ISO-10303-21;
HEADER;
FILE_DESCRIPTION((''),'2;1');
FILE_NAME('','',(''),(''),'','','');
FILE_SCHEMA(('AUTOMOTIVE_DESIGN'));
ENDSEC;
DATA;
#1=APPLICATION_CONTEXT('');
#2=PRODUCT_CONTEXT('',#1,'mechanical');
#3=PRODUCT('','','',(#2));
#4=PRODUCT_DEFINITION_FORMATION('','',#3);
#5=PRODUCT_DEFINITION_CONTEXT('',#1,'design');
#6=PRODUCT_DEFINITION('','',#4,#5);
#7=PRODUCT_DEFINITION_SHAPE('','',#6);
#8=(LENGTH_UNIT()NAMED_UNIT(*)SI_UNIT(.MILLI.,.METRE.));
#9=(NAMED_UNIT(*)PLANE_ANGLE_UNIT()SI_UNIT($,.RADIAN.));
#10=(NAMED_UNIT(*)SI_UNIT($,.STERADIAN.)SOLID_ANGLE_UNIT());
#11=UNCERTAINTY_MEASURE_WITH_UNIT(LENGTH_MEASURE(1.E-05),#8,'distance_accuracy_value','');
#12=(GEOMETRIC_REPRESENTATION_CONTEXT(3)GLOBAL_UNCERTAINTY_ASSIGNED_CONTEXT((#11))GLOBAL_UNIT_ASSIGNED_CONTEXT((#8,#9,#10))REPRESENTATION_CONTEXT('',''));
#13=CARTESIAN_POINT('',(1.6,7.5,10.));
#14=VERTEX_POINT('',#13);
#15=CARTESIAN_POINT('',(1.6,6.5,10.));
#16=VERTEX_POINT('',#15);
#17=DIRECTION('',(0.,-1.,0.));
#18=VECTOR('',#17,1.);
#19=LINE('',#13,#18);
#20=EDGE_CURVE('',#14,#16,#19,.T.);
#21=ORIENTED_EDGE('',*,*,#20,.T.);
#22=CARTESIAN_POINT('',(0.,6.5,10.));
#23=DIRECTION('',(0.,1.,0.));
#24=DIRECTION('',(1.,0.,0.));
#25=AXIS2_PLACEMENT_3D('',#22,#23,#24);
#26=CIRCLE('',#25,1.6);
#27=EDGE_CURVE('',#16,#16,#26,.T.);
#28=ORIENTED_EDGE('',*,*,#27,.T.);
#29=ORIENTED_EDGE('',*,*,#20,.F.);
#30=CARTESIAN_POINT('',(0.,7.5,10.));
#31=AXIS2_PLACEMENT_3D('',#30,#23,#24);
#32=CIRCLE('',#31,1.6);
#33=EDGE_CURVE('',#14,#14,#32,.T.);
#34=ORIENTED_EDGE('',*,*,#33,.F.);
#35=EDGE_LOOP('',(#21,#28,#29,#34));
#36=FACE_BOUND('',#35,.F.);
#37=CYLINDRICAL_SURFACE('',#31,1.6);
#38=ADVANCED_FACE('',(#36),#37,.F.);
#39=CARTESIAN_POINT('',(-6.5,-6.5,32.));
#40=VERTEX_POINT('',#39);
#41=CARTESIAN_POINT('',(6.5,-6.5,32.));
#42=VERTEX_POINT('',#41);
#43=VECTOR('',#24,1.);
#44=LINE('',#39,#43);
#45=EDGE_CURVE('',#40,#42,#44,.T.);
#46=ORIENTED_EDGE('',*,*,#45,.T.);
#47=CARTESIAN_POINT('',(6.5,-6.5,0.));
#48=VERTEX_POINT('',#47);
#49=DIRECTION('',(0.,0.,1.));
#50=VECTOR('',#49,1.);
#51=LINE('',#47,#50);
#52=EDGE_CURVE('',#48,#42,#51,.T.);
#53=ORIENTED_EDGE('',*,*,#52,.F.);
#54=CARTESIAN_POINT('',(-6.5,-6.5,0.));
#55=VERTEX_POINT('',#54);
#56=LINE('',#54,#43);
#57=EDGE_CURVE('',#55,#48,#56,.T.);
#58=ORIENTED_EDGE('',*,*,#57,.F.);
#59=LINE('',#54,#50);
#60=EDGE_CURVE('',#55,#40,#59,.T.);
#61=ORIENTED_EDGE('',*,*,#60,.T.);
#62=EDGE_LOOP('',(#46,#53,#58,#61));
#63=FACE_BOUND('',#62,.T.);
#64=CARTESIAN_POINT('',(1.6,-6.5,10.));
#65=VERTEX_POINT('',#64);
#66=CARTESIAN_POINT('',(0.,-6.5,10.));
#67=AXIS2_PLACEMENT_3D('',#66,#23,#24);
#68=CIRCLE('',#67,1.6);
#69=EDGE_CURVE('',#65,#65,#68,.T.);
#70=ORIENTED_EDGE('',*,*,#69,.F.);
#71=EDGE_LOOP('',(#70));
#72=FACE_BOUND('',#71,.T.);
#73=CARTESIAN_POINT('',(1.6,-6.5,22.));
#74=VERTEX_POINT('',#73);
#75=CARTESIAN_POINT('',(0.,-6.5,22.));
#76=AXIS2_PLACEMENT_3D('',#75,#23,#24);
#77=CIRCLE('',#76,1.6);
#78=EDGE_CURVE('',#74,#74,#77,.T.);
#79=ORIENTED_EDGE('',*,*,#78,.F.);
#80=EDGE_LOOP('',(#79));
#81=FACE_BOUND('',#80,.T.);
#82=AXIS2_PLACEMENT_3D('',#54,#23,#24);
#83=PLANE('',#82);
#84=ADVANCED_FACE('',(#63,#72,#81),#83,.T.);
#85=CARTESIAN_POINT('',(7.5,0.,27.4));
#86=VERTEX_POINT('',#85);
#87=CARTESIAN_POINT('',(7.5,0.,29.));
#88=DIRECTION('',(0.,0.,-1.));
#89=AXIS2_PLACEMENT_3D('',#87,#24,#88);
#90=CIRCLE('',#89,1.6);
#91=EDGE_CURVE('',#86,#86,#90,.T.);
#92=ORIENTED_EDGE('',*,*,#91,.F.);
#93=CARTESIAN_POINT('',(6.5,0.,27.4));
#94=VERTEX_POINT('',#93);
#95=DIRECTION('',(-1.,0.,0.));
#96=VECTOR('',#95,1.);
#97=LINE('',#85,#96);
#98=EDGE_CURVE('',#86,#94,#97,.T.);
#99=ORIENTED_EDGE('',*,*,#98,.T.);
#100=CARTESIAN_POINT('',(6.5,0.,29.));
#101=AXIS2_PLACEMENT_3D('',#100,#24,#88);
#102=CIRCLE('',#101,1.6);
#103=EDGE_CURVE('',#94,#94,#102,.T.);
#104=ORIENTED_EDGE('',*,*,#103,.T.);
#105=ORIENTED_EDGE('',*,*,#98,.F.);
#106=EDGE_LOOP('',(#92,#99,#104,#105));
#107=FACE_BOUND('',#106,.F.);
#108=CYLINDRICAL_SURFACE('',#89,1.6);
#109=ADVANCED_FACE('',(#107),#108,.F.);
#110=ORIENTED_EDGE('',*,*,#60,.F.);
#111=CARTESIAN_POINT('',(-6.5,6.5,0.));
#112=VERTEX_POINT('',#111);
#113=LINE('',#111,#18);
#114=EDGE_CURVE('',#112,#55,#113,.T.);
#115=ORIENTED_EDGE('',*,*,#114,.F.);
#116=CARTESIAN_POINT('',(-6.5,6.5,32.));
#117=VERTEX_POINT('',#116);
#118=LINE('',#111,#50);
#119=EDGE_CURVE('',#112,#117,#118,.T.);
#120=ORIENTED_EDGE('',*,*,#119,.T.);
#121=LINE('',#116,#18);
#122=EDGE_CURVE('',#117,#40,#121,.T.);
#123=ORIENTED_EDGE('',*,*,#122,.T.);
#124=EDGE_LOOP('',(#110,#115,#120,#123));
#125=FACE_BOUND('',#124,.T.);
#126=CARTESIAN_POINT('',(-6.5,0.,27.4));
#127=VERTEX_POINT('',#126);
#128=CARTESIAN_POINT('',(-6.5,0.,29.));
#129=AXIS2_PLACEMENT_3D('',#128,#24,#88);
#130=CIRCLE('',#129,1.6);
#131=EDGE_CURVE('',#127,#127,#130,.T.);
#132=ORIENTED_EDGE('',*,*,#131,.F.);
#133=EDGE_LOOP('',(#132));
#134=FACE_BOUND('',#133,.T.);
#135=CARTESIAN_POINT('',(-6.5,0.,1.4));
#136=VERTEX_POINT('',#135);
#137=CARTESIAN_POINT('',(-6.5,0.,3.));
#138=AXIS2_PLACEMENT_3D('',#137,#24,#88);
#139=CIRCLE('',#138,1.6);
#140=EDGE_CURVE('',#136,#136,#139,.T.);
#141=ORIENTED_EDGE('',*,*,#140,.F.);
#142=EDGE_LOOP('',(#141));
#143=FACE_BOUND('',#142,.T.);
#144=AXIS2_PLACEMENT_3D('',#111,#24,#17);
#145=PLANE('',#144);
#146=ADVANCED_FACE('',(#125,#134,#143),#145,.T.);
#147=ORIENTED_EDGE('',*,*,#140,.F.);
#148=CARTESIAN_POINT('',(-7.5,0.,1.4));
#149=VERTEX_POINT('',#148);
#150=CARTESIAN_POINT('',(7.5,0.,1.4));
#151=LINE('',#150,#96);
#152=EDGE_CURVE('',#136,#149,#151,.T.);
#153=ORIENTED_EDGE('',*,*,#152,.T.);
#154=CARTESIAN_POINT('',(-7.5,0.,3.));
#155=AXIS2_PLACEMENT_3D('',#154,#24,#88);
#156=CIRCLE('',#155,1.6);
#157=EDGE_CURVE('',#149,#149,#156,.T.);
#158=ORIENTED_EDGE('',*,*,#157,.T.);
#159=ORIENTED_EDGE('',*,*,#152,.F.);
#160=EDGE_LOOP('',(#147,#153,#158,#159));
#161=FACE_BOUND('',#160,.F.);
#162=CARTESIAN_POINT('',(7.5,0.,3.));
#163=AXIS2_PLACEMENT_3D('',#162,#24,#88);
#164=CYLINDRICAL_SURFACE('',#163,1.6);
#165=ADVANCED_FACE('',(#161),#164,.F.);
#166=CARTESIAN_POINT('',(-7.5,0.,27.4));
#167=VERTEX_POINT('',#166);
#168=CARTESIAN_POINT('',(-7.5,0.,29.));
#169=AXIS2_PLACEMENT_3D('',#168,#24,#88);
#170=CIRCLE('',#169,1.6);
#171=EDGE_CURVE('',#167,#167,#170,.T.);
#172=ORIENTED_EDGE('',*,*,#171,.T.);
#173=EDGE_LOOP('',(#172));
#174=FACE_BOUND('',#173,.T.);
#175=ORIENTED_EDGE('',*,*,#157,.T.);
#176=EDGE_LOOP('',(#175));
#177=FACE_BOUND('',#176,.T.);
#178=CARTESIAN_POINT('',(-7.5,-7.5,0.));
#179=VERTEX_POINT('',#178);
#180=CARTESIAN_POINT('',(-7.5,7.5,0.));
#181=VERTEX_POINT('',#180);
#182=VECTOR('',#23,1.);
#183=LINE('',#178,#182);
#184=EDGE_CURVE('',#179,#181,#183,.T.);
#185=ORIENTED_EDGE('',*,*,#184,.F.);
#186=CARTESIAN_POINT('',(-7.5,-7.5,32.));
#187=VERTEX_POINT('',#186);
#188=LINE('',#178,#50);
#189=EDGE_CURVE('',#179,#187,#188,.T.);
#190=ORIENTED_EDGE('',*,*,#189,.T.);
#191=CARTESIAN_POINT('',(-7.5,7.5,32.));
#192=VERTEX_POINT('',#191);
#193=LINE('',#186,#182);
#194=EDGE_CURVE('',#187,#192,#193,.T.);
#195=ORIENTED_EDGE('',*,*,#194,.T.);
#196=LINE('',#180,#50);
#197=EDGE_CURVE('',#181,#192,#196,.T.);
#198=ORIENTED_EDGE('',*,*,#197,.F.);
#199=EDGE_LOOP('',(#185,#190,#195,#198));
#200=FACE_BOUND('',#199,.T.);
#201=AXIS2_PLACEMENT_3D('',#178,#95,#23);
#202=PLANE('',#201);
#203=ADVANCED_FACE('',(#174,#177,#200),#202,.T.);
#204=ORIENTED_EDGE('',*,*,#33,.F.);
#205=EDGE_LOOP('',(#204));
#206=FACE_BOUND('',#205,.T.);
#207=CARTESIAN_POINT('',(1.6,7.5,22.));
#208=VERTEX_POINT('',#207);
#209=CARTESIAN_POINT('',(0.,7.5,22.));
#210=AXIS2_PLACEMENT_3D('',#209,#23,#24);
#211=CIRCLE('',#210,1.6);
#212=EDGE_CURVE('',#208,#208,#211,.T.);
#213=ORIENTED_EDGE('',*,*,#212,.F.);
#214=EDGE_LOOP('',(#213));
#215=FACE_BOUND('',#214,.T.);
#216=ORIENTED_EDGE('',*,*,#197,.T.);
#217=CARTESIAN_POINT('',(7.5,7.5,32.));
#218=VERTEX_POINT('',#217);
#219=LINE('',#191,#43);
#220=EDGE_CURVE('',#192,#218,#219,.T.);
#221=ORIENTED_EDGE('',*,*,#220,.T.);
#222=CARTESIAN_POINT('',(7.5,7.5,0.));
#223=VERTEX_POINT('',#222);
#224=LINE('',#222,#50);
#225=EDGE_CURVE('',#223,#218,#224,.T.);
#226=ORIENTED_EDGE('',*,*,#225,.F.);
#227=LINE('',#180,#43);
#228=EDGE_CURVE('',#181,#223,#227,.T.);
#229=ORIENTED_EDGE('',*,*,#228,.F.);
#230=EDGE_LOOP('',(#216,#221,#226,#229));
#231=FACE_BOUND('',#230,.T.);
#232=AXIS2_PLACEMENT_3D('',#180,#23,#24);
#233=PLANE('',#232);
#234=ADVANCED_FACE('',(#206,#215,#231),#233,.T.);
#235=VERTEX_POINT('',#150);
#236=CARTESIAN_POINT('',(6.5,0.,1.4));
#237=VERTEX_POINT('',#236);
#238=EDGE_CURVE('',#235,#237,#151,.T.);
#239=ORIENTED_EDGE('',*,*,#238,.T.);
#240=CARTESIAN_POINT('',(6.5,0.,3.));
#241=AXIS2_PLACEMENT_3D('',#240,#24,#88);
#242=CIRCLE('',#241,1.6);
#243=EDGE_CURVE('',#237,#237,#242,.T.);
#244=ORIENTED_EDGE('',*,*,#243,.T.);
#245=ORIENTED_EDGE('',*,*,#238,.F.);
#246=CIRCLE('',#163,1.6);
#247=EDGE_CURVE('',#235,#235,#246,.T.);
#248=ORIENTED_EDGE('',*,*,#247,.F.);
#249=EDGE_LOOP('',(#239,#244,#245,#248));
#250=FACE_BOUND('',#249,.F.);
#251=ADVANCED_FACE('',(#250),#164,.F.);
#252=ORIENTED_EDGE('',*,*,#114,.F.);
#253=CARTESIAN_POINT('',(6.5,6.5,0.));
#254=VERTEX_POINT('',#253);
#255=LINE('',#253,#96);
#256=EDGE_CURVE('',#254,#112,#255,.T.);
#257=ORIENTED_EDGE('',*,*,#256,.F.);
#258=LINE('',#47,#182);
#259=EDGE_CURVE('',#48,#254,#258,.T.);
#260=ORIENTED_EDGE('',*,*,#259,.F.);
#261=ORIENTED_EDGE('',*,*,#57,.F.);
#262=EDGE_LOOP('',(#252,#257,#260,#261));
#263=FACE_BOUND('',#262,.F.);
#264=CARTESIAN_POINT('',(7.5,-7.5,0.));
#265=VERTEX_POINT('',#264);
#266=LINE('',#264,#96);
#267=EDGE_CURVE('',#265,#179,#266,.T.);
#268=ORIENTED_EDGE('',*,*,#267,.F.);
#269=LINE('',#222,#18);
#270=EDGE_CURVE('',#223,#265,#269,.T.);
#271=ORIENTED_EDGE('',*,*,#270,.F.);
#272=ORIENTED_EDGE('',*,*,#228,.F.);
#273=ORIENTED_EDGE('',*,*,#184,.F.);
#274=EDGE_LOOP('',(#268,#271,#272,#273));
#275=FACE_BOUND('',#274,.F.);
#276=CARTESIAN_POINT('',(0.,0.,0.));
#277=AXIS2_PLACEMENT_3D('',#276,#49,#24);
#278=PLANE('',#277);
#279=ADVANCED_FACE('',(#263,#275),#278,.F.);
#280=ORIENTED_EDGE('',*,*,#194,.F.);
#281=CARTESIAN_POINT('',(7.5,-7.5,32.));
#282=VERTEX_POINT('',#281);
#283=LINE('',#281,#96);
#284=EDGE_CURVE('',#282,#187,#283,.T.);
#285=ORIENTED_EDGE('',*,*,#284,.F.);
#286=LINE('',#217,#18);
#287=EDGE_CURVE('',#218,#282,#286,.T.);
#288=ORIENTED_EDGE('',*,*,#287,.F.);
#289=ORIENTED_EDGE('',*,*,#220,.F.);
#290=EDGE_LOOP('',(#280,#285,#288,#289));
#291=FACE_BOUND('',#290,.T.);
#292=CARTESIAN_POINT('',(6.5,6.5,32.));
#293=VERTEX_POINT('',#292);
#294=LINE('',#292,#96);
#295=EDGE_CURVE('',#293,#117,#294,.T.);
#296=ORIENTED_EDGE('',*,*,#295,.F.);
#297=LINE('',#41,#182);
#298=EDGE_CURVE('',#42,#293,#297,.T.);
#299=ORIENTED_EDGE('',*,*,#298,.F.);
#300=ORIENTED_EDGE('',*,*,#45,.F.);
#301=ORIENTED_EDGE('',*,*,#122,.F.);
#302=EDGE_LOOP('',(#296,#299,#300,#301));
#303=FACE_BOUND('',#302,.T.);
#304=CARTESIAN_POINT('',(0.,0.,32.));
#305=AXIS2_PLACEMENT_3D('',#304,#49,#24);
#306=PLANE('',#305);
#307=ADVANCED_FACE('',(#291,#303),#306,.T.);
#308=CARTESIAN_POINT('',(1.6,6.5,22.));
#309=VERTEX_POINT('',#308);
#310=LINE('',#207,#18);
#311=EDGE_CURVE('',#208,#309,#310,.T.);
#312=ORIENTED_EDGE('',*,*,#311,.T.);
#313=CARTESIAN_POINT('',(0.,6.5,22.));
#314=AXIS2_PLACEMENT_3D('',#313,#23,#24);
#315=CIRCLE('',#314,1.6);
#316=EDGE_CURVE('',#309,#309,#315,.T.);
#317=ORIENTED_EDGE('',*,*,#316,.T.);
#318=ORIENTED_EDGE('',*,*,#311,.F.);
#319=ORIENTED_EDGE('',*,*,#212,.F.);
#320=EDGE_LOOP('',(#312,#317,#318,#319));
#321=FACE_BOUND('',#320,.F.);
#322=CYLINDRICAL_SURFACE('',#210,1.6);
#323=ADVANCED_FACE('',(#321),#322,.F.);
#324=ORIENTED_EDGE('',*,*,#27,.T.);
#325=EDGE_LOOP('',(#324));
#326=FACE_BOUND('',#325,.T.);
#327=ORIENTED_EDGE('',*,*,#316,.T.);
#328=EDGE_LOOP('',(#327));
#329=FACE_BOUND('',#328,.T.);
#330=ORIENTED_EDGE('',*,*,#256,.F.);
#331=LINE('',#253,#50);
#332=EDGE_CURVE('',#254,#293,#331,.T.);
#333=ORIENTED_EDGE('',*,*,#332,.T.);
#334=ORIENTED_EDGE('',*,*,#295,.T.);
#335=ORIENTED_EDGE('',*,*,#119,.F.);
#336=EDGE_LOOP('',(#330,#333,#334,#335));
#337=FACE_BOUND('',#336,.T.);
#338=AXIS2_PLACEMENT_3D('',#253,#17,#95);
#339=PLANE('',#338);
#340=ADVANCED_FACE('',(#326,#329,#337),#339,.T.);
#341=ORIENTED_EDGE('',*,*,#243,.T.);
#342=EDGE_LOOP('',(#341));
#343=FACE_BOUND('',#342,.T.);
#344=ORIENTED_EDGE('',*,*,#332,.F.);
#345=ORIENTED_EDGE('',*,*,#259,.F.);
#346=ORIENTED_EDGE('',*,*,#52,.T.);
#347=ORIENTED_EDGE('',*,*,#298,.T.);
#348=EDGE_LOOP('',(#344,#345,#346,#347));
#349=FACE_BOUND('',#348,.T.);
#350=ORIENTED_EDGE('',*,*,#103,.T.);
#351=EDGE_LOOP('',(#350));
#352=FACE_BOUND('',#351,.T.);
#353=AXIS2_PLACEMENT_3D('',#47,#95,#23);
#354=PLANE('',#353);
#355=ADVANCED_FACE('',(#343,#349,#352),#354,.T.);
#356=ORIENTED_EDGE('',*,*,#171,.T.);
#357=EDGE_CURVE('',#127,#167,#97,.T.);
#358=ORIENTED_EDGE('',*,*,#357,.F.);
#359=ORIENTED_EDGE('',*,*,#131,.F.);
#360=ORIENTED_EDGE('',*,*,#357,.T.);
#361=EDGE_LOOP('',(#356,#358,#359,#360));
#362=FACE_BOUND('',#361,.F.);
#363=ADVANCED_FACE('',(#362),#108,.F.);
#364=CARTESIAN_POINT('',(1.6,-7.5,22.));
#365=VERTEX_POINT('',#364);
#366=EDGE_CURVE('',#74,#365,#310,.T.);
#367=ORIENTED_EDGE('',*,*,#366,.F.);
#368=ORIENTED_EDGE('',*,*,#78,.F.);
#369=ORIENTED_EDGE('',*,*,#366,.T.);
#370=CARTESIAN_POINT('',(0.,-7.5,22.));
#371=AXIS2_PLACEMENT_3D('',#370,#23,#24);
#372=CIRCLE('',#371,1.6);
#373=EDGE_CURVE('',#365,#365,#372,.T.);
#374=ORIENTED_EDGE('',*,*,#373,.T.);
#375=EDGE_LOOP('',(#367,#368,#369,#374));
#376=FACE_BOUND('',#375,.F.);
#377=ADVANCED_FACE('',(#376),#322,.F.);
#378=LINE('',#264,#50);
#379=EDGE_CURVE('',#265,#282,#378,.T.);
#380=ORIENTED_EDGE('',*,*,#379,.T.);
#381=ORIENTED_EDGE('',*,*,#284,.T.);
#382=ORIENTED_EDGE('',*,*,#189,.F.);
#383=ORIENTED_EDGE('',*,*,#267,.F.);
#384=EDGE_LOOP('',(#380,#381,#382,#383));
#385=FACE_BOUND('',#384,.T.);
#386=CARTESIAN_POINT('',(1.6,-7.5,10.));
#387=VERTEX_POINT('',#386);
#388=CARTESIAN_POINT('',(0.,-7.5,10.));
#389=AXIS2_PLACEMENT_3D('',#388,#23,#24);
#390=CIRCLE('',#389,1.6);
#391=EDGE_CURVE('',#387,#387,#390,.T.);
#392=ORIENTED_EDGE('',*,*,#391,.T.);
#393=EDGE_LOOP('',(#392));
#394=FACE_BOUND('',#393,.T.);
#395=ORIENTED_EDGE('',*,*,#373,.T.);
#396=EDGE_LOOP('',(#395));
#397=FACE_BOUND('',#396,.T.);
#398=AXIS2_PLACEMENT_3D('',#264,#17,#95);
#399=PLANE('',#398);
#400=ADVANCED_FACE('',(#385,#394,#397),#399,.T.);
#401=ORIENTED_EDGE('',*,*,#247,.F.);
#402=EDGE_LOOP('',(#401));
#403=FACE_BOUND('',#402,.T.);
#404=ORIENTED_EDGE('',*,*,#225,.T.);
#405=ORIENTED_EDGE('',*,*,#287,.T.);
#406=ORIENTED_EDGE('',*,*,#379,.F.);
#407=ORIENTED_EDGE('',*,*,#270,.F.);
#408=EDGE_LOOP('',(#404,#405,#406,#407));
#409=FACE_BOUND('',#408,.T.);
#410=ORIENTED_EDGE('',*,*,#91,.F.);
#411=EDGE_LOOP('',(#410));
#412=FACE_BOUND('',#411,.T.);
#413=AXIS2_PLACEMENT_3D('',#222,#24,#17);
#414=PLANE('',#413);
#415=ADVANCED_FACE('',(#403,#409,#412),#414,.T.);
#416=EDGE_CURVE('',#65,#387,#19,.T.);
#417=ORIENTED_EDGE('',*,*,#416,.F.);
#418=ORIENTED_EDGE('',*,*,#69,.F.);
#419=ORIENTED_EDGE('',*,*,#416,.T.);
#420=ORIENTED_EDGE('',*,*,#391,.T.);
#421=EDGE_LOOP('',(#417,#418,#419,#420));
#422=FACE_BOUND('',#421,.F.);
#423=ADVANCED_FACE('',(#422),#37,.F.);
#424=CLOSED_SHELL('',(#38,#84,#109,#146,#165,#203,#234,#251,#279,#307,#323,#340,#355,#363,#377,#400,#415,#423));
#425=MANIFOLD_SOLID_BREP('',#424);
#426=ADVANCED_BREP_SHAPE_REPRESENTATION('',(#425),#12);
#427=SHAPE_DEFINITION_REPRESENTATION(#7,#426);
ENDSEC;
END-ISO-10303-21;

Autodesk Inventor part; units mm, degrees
ref_plane "YZ Plane" through (0, 0, 0) normal (1, 0, 0) x (0, 1, 0)
ref_plane "XZ Plane" through (0, 0, 0) normal (0, 1, 0) x (-1, 0, 0)
ref_plane "XY Plane" through (0, 0, 0) normal (0, 0, 1) x (1, 0, 0)
sketch "スケッチ1" plane through (0, 0, 0) normal (0, 0, 1) x (1, 0, 0)
  line L0 (7.5, -7.5) -> (-7.5, -7.5)
  line L1 (-7.5, -7.5) -> (-7.5, 7.5)
  line L2 (-7.5, 7.5) -> (7.5, 7.5)
  line L3 (7.5, 7.5) -> (7.5, -7.5)
  line L4 (7.5, -7.5) -> (-7.5, 7.5) construction
  line L5 (-7.5, -7.5) -> (7.5, 7.5) construction
  line L6 (-7.5, 0) -> (7.5, 0) construction
  line L7 (6.5, 6.5) -> (-6.5, 6.5)
  line L8 (-6.5, 6.5) -> (-6.5, -6.5)
  line L9 (-6.5, -6.5) -> (6.5, -6.5)
  line L10 (6.5, -6.5) -> (6.5, 6.5)
  point P0 (0, 0)
  dimension "d0" = 15
  dimension "d1" = 15
  dimension "d2" = 1
extrude "押し出し1" add sketch "スケッチ1" along normal blind 32
sketch "スケッチ2" plane through (7.5, -7.5, 0) normal (1, 0, 0) x (0, 0, -1)
  line L0 (0, 15) -> (0, 0) projected
  line L1 (0, 15) -> (-32, 15) projected
  line L2 (-32, 0) -> (-32, 15) projected
  line L3 (0, 0) -> (-32, 0) projected
  line L4 (-32, 7.5) -> (0, 7.5) construction
  line L5 (-16, 7.5) -> (-16, 15) construction
  circle A0 centre (-29, 7.5) radius 3 construction
  circle A1 centre (-29, 7.5) radius 1.6
  circle A2 centre (-3, 7.5) radius 3 construction
  circle A3 centre (-3, 7.5) radius 1.6
  dimension "d5" = 6
  dimension "d6" = 3.2
extrude "押し出し2" cut sketch "スケッチ2" against normal through all contours A1 | A3
sketch "スケッチ3" plane through (-7.5, 7.5, 0) normal (0, 1, 0) x (1, 0, 0)
  line L0 (0, 0) -> (15, 0) projected
  line L1 (0, 0) -> (0, -32) projected
  line L2 (15, -32) -> (0, -32) projected
  line L3 (15, 0) -> (15, -32) projected
  line L4 (7.5, 0) -> (7.5, -32) construction
  line L5 (15, -16) -> (0, -16) construction
  circle A0 centre (7.5, -10) radius 1.6
  circle A1 centre (7.5, -22) radius 1.6
  dimension "d9" = 3.2
  dimension "d10" = 6
extrude "押し出し3" cut sketch "スケッチ3" against normal through all contours A0 | A1
properties part number "支え角柱(サーボ用)" material "アルミニウム 6061"
